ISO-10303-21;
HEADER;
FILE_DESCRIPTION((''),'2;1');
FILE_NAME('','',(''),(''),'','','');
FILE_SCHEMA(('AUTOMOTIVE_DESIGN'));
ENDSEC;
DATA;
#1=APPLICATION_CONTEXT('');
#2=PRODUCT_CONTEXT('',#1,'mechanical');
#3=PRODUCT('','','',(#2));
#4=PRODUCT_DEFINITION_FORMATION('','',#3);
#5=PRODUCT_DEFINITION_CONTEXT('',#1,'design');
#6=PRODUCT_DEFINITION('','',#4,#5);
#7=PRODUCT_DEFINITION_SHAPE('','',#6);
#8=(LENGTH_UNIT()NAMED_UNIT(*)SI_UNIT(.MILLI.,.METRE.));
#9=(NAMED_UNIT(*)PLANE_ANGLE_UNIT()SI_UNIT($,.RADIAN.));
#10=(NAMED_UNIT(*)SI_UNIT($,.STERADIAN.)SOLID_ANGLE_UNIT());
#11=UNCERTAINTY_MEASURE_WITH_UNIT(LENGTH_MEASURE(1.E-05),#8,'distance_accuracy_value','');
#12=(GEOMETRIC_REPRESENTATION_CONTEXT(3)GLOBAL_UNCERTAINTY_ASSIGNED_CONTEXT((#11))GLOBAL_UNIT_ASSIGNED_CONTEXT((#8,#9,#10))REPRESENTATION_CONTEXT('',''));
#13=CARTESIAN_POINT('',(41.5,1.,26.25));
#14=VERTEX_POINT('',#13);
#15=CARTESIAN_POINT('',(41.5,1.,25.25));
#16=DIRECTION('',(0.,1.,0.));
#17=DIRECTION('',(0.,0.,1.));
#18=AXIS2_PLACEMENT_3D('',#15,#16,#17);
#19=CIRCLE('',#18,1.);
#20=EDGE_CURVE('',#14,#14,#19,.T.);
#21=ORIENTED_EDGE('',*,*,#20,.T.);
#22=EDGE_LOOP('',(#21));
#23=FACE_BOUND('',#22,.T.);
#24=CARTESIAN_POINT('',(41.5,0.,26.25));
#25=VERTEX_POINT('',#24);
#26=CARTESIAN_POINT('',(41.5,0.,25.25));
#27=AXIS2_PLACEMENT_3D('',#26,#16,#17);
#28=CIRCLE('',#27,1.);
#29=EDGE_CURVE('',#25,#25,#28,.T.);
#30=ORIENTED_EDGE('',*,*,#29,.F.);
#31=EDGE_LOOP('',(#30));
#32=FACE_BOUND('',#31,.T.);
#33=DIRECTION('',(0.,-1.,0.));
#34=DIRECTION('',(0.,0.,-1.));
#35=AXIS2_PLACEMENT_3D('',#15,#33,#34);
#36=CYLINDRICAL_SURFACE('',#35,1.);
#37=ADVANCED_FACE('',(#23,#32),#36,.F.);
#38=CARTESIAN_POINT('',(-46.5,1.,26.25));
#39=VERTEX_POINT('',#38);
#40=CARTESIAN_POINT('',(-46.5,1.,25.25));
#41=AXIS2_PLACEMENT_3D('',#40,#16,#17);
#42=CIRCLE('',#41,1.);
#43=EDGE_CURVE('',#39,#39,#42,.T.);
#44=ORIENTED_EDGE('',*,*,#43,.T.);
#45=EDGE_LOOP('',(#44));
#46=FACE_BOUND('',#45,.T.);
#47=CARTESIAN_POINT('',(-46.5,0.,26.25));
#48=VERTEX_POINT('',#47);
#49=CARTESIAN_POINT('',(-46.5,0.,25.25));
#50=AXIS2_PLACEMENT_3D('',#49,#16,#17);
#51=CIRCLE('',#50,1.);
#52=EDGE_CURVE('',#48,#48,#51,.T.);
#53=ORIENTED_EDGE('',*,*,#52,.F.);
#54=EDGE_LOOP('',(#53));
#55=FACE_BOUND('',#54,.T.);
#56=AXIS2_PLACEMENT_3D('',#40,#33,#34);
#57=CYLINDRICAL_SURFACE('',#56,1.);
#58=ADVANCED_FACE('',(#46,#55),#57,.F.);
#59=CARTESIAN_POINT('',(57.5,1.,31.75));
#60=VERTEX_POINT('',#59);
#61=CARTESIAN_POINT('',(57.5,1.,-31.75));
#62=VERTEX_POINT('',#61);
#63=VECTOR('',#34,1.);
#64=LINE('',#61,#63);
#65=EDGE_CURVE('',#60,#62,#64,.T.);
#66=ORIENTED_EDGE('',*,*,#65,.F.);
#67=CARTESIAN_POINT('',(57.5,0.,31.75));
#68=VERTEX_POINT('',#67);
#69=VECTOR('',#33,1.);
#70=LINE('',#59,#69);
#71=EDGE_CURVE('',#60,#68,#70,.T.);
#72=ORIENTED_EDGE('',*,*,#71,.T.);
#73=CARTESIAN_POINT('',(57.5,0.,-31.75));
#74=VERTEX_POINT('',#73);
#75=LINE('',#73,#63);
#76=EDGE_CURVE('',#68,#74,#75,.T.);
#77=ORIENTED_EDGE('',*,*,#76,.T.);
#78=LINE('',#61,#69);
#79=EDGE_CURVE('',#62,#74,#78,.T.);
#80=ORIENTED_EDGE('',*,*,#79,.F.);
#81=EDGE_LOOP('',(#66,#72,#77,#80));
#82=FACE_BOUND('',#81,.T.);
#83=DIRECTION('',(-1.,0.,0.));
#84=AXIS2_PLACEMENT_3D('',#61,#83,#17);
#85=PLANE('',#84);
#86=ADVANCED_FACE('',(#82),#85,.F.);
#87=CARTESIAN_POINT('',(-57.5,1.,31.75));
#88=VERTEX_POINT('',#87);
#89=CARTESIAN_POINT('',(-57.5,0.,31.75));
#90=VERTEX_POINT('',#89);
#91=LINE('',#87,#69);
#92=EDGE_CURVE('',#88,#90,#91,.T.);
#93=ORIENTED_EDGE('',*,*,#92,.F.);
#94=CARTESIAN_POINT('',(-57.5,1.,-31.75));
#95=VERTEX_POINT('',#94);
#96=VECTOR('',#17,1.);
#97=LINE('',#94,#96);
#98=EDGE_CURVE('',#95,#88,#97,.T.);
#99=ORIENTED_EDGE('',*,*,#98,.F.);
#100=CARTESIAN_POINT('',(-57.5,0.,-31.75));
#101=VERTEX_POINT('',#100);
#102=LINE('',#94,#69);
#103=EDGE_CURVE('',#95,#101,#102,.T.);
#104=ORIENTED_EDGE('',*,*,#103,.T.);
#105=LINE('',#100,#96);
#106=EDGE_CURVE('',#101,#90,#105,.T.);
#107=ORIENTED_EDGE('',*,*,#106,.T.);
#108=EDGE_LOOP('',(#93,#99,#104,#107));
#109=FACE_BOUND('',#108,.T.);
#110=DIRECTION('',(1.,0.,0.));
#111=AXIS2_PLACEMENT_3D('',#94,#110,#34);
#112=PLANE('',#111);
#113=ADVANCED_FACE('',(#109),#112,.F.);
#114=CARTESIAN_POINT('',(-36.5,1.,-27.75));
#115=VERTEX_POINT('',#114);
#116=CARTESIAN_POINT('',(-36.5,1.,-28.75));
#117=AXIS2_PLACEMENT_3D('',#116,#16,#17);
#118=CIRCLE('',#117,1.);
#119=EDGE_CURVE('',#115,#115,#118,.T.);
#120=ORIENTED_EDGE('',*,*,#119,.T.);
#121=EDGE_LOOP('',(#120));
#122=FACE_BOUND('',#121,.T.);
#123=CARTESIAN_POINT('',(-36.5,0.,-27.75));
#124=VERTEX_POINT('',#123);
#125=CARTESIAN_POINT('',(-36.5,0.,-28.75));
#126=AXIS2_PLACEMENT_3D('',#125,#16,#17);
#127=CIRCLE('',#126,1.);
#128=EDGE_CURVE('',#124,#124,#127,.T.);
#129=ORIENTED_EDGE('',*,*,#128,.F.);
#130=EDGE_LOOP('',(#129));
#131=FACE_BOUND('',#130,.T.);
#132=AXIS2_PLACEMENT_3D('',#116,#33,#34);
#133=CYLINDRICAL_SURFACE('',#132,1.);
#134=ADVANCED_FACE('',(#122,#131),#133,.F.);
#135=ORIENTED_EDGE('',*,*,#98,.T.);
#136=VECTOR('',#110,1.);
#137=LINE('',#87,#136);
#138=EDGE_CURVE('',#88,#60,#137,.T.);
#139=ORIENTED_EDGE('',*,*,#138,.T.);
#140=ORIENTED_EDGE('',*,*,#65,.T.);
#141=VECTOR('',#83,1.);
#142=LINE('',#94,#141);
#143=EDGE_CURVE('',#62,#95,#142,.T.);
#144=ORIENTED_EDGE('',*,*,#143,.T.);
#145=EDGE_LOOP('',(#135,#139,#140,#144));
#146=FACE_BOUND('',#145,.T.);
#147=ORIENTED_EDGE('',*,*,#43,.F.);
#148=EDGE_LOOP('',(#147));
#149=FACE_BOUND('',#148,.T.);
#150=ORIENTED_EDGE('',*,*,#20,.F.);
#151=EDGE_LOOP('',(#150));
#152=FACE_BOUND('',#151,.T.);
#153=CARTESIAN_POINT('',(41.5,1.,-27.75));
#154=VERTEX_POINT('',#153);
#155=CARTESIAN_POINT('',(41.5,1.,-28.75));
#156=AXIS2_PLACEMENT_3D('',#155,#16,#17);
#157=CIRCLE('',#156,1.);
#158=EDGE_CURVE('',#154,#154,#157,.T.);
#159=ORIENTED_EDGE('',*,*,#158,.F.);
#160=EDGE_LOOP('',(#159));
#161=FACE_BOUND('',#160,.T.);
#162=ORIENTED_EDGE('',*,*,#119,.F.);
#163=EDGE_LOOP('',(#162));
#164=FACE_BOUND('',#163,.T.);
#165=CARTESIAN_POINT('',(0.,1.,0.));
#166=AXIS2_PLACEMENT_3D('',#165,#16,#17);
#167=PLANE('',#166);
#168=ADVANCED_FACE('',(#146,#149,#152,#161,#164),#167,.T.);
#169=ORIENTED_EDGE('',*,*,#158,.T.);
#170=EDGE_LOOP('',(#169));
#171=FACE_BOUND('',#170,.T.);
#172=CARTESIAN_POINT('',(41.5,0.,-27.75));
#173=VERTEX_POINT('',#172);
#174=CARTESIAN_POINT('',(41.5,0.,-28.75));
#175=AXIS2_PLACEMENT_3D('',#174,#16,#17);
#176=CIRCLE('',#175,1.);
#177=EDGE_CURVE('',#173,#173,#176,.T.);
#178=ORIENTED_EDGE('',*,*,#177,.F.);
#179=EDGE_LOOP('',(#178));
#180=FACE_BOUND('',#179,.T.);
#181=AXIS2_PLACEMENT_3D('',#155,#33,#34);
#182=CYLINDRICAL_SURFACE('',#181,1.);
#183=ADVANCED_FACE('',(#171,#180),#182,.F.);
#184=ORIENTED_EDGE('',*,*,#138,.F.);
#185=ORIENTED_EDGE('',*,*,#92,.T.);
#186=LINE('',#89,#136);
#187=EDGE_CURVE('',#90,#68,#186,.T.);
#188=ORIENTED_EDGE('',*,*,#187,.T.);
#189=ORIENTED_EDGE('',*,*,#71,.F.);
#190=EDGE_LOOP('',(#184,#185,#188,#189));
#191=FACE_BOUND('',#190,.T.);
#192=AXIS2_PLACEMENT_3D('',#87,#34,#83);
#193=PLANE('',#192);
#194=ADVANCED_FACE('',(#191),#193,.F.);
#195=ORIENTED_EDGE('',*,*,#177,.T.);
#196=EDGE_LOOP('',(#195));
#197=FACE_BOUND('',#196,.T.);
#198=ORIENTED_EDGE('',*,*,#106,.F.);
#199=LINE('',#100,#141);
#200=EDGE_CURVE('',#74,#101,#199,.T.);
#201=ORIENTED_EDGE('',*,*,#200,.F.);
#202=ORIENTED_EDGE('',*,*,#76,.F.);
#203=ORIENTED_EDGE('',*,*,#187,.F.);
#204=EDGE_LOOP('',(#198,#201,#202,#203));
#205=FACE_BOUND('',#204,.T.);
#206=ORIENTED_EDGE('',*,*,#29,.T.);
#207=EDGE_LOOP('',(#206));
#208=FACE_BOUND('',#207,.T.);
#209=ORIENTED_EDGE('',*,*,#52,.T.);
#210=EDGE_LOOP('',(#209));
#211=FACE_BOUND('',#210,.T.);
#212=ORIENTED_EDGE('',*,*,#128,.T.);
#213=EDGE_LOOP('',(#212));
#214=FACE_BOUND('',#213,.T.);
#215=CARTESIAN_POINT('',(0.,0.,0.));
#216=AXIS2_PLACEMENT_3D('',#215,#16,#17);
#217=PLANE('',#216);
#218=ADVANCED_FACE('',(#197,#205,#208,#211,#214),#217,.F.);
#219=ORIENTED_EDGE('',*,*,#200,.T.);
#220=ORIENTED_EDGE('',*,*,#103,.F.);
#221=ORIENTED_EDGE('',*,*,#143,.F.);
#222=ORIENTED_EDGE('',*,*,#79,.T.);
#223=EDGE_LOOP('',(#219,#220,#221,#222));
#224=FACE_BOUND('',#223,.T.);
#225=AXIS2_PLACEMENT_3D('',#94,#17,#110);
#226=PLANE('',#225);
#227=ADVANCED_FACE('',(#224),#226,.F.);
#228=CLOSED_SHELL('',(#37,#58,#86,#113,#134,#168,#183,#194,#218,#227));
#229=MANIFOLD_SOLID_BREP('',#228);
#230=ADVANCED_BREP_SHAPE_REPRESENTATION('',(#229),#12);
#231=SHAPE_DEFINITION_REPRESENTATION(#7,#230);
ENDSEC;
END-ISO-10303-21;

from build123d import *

# Parameters (mm, degrees)
SKETCH1_W           = 115
SKETCH1_H           = 63.5
SKETCH1_R           = 1
BOSS_EXTRUDE1_DEPTH = 1


with BuildPart() as part:
    # Sketch1 → Boss-Extrude1 (new body)
    with BuildSketch(Plane(origin=(0, 0, 0), x_dir=(1, 0, 0), z_dir=(0, 1, 0))):
        Rectangle(SKETCH1_W, SKETCH1_H)
        with Locations(Location((-46.5, -25.25, 0), (0, 0, 270))):
            Circle(SKETCH1_R, mode=Mode.SUBTRACT)
        with Locations(Location((-36.5, 28.75, 0), (0, 0, 270))):
            Circle(SKETCH1_R, mode=Mode.SUBTRACT)
        with Locations(Location((41.5, 28.75, 0), (0, 0, 270))):
            Circle(SKETCH1_R, mode=Mode.SUBTRACT)
        with Locations(Location((41.5, -25.25, 0), (0, 0, 270))):
            Circle(SKETCH1_R, mode=Mode.SUBTRACT)
    extrude(amount=BOSS_EXTRUDE1_DEPTH)


solid = part.part
